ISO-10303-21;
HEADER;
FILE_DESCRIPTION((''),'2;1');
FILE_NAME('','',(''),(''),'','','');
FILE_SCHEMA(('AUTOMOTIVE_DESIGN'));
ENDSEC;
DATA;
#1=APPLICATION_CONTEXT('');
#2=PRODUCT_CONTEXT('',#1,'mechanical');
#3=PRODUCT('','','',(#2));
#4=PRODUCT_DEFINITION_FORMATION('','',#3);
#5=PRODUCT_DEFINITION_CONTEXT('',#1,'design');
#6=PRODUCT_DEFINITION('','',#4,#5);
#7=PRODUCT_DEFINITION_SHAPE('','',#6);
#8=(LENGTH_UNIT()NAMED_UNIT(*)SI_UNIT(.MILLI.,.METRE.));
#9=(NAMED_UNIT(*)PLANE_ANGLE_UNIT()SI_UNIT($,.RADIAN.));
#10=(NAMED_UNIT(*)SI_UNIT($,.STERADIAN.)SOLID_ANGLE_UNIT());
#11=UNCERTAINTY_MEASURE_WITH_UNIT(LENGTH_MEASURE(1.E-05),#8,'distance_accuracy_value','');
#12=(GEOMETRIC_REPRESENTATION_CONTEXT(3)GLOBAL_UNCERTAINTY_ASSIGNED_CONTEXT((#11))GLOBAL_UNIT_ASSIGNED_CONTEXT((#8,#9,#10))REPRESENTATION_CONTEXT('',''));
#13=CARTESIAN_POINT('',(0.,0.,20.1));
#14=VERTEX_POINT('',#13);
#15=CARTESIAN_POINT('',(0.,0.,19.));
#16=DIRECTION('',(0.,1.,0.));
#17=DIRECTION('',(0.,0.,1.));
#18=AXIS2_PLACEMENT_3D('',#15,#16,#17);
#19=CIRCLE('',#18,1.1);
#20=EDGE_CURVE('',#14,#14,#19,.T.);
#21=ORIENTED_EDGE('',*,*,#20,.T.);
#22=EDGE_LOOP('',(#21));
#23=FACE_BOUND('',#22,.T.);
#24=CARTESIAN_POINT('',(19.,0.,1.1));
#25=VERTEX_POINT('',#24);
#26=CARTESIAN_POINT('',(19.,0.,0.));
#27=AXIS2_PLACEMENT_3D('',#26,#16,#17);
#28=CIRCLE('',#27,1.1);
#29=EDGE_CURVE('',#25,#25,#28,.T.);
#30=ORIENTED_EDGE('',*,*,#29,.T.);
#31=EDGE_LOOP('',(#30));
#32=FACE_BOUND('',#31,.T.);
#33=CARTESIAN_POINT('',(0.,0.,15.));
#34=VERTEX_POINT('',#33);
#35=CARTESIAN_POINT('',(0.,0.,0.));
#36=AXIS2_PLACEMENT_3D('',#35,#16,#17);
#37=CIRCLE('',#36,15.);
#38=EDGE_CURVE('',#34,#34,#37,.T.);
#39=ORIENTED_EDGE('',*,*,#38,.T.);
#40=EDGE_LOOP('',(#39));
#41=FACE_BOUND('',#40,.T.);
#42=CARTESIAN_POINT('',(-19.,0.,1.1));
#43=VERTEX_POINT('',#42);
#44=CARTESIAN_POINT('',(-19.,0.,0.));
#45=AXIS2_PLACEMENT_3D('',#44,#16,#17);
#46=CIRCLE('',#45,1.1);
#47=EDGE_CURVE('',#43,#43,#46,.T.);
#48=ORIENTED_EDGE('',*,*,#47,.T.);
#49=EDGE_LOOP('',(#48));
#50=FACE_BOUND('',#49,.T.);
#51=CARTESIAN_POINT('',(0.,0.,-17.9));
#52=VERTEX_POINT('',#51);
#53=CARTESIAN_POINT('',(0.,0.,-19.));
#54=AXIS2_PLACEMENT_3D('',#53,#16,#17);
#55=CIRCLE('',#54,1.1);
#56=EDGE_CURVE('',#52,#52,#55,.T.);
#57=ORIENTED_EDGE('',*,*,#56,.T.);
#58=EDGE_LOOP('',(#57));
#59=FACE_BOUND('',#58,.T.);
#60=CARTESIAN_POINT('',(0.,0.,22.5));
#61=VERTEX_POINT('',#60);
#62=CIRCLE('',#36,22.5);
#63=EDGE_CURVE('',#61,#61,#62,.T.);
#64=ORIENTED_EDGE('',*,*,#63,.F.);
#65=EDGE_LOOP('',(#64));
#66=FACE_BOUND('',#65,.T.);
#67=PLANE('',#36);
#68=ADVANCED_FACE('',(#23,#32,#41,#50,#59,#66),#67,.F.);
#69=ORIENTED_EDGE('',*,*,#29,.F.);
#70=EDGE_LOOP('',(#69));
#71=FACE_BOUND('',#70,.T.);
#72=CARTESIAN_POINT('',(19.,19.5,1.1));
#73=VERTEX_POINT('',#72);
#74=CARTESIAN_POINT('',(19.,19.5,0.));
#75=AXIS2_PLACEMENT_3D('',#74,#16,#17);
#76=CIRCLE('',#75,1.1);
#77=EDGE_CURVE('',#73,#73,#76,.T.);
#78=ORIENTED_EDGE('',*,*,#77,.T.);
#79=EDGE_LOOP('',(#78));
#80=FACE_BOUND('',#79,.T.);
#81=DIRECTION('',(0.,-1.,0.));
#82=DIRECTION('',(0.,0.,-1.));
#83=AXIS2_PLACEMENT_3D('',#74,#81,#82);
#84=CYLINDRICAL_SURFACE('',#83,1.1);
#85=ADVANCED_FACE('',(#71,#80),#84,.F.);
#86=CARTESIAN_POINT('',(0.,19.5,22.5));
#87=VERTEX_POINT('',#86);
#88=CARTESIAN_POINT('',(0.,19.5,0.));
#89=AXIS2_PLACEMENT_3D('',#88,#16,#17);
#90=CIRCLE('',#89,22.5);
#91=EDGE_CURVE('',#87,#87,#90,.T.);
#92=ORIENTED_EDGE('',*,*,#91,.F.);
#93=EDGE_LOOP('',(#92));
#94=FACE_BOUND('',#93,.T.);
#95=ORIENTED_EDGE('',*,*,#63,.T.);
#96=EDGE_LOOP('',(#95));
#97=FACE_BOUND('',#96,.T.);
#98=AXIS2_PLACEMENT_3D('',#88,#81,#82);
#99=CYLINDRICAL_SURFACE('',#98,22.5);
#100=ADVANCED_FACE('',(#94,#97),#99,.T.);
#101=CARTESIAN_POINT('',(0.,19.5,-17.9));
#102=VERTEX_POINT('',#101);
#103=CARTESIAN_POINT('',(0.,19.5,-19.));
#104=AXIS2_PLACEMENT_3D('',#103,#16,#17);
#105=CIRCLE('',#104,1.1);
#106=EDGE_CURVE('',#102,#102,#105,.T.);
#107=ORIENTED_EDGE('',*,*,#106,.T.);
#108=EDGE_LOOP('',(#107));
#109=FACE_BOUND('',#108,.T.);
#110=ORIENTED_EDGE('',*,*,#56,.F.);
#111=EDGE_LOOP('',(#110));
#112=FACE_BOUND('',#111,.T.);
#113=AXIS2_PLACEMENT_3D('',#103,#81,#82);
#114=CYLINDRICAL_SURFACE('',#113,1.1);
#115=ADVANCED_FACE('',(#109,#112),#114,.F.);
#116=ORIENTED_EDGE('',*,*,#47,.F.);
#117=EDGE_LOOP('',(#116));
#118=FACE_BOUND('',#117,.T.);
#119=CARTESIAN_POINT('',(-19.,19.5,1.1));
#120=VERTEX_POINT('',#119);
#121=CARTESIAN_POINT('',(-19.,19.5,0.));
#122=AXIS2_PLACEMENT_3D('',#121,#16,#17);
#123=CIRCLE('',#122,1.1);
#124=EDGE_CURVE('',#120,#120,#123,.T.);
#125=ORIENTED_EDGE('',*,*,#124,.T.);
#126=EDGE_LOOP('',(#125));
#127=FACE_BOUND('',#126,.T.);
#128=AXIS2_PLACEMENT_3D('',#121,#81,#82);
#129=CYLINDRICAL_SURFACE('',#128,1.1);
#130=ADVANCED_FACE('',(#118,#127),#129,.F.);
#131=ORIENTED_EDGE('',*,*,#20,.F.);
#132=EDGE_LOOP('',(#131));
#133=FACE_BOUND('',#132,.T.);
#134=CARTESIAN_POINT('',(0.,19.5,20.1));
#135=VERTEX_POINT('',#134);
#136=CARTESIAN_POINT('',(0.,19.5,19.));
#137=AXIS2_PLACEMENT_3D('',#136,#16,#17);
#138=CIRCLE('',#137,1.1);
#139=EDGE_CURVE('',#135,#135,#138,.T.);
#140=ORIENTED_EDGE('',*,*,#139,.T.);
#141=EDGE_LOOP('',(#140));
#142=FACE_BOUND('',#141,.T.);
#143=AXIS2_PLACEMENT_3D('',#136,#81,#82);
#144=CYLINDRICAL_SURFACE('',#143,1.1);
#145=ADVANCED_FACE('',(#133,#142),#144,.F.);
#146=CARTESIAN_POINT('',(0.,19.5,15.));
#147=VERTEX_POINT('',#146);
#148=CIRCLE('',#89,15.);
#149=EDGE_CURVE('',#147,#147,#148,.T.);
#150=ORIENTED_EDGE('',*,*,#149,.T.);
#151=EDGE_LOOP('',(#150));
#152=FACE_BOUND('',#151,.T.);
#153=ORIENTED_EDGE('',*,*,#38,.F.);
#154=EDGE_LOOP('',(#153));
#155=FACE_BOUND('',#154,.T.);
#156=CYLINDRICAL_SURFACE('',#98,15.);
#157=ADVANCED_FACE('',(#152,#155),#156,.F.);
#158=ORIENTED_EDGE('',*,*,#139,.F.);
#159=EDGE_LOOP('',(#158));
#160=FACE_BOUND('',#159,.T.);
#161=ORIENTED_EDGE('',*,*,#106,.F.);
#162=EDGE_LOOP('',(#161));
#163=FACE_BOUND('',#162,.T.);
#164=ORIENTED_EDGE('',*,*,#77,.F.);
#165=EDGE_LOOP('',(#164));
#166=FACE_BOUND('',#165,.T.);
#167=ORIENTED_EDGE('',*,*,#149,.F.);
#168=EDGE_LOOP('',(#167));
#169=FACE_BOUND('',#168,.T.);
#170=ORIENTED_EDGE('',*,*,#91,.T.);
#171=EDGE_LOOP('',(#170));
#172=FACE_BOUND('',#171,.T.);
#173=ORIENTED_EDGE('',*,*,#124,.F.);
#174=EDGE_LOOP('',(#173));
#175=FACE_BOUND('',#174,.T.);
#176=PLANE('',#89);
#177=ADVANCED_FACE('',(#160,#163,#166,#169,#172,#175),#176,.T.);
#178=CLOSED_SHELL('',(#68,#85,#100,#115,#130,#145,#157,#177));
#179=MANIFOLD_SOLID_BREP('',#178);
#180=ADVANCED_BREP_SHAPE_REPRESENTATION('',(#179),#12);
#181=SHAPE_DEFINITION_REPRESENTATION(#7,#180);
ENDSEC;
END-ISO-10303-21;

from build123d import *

# Parameters (mm, degrees)
SKETCH_1_R      = 22.5
SKETCH_1_R_2    = 15
SKETCH_1_R_3    = 1.1
EXTRUDE_1_DEPTH = 19.5


with BuildPart() as part:
    # 草图1 → 凸台-拉伸1 (new body)
    with BuildSketch(Plane(origin=(0, 0, 0), x_dir=(1, 0, 0), z_dir=(0, 1, 0))):
        with Locations(Location((0, 0, 0), (0, 0, 270))):
            Circle(SKETCH_1_R)
        with Locations(Location((0, 0, 0), (0, 0, 270))):
            Circle(SKETCH_1_R_2, mode=Mode.SUBTRACT)
        with Locations(Location((0, 19, 0), (0, 0, 270))):
            Circle(SKETCH_1_R_3, mode=Mode.SUBTRACT)
        with Locations(Location((19, 0, 0), (0, 0, 270))):
            Circle(SKETCH_1_R_3, mode=Mode.SUBTRACT)
        with Locations(Location((0, -19, 0), (0, 0, 270))):
            Circle(SKETCH_1_R_3, mode=Mode.SUBTRACT)
        with Locations(Location((-19, 0, 0), (0, 0, 270))):
            Circle(SKETCH_1_R_3, mode=Mode.SUBTRACT)
    extrude(amount=EXTRUDE_1_DEPTH)


solid = part.part
